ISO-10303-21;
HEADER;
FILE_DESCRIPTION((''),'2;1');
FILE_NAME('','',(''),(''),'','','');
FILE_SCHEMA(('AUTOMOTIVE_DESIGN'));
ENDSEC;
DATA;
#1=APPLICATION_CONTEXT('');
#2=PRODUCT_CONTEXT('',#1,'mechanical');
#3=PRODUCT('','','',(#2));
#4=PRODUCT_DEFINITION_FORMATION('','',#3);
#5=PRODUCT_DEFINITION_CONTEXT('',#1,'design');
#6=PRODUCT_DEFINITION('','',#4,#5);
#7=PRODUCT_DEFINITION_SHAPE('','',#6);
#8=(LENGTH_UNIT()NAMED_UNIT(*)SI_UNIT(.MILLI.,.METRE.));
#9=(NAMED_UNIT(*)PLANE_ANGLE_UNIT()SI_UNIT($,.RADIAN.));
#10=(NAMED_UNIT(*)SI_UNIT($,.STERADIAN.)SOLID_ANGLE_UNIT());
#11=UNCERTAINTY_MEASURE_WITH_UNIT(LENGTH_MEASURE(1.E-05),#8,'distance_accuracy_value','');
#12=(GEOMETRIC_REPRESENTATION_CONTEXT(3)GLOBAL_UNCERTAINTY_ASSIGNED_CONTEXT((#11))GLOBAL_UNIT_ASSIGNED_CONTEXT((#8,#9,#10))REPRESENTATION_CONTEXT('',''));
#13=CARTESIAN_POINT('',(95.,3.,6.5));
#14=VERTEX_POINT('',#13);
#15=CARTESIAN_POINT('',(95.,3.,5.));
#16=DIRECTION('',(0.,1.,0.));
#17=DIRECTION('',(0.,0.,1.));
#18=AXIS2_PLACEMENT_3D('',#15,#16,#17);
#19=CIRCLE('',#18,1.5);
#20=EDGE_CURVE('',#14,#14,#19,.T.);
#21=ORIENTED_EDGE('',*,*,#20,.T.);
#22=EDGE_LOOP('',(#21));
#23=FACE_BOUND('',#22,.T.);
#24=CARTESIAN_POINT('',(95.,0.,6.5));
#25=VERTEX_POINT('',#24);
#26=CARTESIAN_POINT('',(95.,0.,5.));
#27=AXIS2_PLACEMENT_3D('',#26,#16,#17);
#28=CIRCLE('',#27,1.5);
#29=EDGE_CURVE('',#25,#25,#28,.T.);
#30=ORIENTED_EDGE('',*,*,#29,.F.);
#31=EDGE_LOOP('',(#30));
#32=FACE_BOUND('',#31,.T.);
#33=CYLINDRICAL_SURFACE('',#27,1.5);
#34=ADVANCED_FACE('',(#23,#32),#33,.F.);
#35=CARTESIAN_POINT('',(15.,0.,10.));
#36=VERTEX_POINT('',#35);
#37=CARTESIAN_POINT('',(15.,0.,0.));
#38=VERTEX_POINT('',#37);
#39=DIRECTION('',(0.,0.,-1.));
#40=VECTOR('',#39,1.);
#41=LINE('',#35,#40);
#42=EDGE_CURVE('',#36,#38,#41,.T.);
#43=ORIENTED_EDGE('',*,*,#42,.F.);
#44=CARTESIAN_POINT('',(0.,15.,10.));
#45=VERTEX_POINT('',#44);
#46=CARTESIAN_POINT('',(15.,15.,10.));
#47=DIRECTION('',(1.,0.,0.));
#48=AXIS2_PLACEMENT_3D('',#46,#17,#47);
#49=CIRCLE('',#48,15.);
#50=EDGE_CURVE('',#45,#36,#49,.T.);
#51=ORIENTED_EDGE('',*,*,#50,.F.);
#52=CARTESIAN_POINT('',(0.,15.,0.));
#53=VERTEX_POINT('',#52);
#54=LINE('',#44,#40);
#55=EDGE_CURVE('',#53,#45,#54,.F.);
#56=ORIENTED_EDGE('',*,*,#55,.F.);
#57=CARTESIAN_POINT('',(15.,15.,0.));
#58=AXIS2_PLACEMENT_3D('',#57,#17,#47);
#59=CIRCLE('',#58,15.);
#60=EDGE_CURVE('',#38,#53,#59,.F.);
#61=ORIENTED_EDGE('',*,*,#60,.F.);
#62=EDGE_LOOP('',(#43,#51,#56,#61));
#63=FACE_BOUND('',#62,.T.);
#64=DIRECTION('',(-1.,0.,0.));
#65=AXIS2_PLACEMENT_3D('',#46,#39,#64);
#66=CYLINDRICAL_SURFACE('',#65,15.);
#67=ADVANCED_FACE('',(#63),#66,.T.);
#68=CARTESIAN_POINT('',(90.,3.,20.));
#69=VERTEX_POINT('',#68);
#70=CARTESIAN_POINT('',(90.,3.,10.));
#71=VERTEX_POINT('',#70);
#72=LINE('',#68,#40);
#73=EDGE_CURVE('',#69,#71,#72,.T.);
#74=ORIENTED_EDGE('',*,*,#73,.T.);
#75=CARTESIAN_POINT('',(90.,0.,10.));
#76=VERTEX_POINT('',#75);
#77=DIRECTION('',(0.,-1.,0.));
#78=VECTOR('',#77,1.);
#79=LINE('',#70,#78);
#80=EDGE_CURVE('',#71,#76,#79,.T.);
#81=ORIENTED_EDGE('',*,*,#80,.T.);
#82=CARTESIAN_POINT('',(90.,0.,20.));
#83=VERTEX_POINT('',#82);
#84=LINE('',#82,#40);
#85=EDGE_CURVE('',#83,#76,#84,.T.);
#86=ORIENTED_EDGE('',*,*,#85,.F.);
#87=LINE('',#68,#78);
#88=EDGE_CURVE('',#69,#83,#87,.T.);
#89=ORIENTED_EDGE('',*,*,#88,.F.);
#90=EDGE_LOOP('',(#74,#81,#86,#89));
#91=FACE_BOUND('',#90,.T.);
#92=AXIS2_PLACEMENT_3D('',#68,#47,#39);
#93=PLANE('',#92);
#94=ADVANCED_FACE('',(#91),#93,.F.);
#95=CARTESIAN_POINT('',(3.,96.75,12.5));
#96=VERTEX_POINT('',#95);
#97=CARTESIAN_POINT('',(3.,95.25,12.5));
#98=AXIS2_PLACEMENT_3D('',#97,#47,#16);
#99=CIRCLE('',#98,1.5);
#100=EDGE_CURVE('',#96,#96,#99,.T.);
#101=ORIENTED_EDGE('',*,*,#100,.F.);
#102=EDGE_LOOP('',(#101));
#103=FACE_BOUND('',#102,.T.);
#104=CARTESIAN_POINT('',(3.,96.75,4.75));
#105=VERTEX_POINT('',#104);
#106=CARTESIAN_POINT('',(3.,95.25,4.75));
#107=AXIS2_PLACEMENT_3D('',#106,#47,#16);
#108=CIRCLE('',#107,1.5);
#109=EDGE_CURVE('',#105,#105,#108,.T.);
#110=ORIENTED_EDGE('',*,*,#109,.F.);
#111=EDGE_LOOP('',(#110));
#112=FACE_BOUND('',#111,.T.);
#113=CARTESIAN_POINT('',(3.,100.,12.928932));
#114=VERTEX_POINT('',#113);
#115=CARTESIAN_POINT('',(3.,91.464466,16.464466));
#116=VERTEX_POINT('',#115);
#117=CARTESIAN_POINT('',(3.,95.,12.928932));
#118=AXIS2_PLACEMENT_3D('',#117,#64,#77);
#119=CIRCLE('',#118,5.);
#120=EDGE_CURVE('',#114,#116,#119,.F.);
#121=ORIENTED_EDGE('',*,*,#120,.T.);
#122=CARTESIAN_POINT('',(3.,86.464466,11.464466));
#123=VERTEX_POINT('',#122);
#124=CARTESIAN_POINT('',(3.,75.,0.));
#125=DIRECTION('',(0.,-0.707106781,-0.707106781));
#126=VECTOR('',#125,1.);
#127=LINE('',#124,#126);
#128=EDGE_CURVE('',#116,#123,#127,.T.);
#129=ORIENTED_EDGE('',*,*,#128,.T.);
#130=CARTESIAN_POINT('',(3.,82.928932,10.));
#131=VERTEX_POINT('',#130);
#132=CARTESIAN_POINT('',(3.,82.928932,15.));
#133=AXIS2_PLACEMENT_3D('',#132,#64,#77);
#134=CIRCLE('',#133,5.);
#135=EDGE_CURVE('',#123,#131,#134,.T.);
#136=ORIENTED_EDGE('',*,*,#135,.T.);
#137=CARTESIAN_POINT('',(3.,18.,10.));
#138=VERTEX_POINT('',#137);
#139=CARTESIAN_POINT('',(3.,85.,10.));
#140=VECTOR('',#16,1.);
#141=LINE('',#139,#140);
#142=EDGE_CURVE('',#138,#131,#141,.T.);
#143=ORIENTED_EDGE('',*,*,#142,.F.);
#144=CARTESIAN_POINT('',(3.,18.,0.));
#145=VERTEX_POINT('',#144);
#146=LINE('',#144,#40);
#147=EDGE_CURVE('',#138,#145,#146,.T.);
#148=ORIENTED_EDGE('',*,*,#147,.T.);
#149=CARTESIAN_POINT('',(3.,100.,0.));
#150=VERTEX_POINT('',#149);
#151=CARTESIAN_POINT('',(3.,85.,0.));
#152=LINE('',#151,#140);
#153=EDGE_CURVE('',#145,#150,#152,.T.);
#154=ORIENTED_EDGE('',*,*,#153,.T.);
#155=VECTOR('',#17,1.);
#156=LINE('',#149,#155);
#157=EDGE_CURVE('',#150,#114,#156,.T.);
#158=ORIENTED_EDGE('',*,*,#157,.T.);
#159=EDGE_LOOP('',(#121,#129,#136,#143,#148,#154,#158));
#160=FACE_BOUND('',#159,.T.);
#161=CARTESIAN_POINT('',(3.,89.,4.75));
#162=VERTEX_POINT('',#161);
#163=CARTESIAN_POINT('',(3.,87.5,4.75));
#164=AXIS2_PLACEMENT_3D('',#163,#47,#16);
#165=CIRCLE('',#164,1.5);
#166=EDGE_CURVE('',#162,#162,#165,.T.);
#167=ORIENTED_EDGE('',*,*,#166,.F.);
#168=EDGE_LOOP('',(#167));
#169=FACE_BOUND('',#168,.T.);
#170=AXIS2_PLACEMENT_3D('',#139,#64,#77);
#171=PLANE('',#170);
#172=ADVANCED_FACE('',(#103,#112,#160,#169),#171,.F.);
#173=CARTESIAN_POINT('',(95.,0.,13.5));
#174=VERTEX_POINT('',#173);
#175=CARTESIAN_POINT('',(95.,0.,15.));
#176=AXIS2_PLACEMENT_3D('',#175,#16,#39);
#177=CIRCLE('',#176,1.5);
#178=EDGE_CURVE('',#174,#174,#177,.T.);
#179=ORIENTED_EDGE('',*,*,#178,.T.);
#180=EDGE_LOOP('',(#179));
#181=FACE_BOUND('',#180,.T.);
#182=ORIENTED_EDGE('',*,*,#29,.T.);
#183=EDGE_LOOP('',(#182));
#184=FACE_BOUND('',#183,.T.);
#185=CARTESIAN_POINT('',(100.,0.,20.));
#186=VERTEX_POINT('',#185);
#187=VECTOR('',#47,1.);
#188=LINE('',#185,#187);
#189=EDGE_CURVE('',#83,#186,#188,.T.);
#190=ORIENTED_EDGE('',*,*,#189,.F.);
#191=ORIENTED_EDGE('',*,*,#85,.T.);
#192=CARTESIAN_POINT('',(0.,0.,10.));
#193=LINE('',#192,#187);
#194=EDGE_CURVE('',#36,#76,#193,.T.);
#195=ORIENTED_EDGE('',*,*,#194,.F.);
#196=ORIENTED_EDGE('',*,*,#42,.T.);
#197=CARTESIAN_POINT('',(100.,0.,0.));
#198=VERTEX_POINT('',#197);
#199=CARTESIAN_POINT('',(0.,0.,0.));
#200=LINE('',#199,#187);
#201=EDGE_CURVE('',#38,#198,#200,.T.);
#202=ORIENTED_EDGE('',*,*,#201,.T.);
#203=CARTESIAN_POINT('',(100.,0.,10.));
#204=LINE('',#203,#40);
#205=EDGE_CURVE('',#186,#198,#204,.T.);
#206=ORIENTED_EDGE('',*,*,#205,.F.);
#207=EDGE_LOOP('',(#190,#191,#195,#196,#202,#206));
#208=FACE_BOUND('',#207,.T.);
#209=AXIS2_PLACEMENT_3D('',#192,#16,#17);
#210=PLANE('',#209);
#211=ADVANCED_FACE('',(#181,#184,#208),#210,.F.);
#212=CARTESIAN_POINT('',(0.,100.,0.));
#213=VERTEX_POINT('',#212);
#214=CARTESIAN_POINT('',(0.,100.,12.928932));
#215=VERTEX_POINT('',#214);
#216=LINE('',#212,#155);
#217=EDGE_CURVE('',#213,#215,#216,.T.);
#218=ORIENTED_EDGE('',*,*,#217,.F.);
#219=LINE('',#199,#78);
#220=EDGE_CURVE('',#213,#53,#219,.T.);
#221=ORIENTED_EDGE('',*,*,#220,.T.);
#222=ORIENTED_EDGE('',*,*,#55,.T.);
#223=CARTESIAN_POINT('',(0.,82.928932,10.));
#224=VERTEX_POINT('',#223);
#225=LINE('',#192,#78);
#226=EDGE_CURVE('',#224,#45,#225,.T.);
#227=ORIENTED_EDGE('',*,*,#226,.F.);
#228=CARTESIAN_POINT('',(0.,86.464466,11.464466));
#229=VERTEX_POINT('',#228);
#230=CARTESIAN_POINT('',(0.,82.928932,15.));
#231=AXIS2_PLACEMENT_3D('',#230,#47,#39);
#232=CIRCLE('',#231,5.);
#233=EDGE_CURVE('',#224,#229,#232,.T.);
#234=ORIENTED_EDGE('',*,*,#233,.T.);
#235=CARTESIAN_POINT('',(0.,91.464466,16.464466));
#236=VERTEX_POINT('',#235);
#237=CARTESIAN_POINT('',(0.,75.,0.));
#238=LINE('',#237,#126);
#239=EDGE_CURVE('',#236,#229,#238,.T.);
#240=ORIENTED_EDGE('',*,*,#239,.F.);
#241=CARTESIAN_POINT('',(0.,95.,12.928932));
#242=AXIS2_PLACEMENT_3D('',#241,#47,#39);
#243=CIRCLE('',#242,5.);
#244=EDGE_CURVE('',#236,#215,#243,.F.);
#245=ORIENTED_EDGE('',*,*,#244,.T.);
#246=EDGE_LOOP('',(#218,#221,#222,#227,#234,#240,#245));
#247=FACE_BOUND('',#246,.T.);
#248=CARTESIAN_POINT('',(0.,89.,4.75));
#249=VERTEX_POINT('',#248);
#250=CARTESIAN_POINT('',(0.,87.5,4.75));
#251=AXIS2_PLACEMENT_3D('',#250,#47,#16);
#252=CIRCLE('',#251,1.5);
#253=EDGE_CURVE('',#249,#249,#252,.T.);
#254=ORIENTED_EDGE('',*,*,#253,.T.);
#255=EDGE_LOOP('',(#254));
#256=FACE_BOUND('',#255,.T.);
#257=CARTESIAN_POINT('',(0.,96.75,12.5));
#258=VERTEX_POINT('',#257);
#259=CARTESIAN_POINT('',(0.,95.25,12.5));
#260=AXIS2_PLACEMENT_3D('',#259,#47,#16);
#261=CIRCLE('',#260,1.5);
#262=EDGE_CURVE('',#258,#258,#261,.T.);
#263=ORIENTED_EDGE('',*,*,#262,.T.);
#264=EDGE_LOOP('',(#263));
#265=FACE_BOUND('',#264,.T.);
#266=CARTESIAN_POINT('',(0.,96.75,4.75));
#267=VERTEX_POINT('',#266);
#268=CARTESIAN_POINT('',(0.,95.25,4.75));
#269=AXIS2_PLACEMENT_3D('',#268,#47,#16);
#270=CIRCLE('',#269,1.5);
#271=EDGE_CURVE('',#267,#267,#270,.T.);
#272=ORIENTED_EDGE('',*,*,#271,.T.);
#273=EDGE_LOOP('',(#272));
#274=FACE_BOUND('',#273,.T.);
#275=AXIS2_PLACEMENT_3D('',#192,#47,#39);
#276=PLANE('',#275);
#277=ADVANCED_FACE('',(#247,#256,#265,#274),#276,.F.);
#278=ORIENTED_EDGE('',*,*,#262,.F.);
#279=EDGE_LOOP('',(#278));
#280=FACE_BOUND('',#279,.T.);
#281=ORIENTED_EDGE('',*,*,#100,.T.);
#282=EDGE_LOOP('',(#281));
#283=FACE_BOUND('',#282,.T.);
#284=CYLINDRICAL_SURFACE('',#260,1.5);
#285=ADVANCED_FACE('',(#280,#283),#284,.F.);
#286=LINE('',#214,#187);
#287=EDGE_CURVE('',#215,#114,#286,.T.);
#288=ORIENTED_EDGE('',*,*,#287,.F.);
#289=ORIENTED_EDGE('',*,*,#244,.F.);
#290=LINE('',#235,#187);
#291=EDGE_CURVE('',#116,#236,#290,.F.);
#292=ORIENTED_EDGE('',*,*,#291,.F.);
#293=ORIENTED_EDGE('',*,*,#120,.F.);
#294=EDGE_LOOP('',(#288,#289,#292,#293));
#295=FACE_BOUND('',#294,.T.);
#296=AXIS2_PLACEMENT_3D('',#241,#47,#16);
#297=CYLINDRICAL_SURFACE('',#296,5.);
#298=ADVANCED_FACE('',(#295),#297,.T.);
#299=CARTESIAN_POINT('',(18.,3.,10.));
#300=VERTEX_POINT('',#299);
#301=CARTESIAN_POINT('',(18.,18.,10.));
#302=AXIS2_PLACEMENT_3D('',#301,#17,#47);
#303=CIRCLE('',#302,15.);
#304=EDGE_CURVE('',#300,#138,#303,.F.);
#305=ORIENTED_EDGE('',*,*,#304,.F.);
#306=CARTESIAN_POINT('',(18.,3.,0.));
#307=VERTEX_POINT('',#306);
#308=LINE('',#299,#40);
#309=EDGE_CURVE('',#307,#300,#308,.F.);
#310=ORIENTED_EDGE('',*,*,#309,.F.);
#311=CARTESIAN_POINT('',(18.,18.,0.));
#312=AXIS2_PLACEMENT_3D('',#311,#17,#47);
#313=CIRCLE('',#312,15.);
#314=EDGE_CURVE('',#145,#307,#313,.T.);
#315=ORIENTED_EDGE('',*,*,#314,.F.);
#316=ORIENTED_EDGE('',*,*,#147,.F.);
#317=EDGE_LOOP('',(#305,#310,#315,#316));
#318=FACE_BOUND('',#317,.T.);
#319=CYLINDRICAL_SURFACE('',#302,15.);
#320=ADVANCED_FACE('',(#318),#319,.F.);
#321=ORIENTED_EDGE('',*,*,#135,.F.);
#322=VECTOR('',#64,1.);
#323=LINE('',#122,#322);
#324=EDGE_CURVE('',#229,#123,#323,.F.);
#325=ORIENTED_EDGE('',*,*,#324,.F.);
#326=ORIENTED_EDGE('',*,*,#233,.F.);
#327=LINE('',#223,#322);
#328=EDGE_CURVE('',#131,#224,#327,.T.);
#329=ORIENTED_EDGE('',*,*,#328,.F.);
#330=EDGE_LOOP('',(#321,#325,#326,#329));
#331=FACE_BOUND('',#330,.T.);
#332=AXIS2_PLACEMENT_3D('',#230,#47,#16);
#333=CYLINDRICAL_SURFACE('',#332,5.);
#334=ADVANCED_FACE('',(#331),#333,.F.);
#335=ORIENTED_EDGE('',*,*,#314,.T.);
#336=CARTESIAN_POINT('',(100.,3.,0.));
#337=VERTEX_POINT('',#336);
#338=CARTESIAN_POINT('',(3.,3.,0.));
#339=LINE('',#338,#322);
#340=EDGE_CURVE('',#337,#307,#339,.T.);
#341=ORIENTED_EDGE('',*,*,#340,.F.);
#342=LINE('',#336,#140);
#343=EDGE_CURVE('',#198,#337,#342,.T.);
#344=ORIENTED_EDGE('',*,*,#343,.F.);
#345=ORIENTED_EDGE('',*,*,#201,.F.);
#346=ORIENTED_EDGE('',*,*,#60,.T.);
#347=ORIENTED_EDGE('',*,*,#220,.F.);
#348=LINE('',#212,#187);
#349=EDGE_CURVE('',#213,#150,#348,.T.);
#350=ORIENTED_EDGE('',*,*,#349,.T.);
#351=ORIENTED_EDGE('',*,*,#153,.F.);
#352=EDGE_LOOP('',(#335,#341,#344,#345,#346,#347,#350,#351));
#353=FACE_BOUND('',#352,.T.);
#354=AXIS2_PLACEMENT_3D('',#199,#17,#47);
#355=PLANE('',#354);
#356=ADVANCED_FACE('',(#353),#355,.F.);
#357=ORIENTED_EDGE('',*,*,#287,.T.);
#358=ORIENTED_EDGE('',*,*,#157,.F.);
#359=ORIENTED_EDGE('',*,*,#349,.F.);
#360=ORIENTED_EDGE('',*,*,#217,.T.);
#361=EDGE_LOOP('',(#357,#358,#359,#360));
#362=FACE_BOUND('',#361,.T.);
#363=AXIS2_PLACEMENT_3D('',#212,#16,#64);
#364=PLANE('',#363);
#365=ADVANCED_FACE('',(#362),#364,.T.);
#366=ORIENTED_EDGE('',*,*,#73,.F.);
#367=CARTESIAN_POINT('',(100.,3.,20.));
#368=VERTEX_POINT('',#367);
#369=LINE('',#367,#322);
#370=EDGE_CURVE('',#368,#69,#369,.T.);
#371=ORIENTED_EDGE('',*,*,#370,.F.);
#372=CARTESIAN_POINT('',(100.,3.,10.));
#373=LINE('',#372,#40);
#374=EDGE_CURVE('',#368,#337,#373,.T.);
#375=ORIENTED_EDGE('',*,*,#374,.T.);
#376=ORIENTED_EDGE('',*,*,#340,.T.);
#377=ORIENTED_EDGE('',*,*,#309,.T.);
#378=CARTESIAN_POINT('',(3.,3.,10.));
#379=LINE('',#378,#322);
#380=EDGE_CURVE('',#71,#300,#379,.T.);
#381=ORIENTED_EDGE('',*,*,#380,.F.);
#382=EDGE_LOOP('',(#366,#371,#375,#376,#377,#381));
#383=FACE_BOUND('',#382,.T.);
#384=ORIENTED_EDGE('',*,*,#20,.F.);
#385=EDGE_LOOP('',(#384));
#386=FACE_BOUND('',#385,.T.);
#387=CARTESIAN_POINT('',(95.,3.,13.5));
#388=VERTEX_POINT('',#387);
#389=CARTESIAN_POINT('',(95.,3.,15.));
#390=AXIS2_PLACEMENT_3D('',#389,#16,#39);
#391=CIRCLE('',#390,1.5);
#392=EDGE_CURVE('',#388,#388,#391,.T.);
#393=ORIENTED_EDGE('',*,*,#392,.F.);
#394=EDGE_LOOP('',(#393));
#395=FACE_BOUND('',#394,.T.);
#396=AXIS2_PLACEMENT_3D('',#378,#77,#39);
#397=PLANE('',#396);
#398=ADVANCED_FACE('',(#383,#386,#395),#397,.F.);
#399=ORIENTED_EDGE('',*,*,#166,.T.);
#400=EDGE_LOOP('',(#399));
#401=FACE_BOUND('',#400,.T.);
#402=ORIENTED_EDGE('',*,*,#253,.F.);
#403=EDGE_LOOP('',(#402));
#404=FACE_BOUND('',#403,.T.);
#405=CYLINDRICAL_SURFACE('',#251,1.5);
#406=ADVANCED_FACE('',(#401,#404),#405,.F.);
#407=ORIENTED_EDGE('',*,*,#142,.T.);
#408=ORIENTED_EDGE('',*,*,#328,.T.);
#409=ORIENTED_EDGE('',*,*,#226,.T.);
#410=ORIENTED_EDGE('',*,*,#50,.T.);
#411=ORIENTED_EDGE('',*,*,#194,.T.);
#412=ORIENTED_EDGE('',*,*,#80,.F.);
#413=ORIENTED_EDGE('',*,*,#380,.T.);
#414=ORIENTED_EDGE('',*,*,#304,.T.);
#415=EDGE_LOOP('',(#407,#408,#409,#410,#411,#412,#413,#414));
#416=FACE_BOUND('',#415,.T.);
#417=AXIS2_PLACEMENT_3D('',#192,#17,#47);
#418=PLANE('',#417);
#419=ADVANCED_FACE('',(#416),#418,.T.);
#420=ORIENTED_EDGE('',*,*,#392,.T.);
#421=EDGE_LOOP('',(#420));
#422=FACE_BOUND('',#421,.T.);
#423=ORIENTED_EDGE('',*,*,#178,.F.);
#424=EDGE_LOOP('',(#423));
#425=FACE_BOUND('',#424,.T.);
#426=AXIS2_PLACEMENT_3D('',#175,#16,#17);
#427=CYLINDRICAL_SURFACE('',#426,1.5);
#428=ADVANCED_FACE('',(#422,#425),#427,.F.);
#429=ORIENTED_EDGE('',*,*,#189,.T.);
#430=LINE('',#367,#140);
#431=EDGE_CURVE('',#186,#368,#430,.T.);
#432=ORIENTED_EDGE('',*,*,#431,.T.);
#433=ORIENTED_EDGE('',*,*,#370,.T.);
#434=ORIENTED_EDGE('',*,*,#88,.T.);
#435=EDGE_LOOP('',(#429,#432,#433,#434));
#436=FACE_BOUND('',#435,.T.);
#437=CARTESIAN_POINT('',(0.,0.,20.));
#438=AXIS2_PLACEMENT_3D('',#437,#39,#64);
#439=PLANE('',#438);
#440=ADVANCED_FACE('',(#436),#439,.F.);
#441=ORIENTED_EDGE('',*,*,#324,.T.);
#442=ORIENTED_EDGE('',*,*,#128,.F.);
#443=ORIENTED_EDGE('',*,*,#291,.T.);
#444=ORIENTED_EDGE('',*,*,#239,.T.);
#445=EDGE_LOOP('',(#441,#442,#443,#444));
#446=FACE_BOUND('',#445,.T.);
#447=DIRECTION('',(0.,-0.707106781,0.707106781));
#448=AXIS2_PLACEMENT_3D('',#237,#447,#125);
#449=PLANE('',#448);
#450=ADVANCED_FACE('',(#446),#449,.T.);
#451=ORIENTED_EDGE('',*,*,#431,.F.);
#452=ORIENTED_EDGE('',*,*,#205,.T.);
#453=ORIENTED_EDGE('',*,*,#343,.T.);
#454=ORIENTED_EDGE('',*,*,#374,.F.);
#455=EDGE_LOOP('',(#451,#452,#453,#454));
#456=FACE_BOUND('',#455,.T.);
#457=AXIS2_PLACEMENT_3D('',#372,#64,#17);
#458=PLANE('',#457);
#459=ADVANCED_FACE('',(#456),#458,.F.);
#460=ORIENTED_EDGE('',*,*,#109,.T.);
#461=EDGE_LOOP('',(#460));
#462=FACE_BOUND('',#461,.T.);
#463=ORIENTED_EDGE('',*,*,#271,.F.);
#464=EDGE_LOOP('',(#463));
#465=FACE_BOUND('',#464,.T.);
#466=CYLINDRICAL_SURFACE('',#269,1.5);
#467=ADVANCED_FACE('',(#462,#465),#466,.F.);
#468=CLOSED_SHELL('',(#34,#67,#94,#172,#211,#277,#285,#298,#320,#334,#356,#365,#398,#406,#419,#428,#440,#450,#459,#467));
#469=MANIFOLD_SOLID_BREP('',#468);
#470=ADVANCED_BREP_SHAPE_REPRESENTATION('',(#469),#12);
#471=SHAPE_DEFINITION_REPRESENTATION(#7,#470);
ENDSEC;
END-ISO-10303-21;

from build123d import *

# Parameters (mm, degrees)
BOSS_EXTRUDE1_DEPTH = 10
SKETCH2_W           = 10
SKETCH2_H           = 3
BOSS_EXTRUDE2_DEPTH = 10
SKETCH3_R           = 1.5
CUT_EXTRUDE1_DEPTH  = 3
FILLET1_R           = 15
SKETCH4_R           = 1.5
BOSS_EXTRUDE3_DEPTH = 3
FILLET2_R           = 5


with BuildPart() as part:
    # Sketch1 → Boss-Extrude1 (new body)
    with BuildSketch(Plane.XY):
        Polygon((0, 0), (100, 0), (100, 3), (3, 3), (3, 85), (0, 85), align=None)
    extrude(amount=BOSS_EXTRUDE1_DEPTH)

    # Sketch2 → Boss-Extrude2 (add)
    with BuildSketch(Plane.XY.offset(10)):
        with Locations((95, 1.5)):
            Rectangle(SKETCH2_W, SKETCH2_H)
    extrude(amount=BOSS_EXTRUDE2_DEPTH)

    # Sketch3 → Cut-Extrude1 (cut)
    with BuildSketch(Plane(origin=(0, 3, 0), x_dir=(1, 0, 0), z_dir=(0, 1, 0))):
        with Locations(Location((95, -5, 0), (0, 0, 270))):
            Circle(SKETCH3_R)
        with Locations(Location((95, -15, 0), (0, 0, 90))):
            Circle(SKETCH3_R)
    extrude(amount=-CUT_EXTRUDE1_DEPTH, mode=Mode.SUBTRACT)

    # Fillet1
    fillet1_edges = [part.edges().sort_by_distance(p)[0] for p in [
        (3, 3, 5),
        (0, 0, 5),
    ]]
    fillet(fillet1_edges, radius=FILLET1_R)

    # Sketch4 → Boss-Extrude3 (add)
    with BuildSketch(Plane(origin=(3, 0, 0), x_dir=(0, 0, -1), z_dir=(1, 0, 0))):
        Polygon((0, 100), (-25, 100), (0, 75), align=None)
        with Locations(Location((-12.5, 95.25, 0), (0, 0, 90))):
            Circle(SKETCH4_R, mode=Mode.SUBTRACT)
        with Locations(Location((-4.75, 95.25, 0), (0, 0, 90))):
            Circle(SKETCH4_R, mode=Mode.SUBTRACT)
        with Locations(Location((-4.75, 87.5, 0), (0, 0, 90))):
            Circle(SKETCH4_R, mode=Mode.SUBTRACT)
    extrude(amount=-BOSS_EXTRUDE3_DEPTH)

    # Fillet2
    fillet2_edges = [part.edges().sort_by_distance(p)[0] for p in [
        (1.5, 85, 10),
        (1.5, 100, 25),
    ]]
    fillet(fillet2_edges, radius=FILLET2_R)


solid = part.part
